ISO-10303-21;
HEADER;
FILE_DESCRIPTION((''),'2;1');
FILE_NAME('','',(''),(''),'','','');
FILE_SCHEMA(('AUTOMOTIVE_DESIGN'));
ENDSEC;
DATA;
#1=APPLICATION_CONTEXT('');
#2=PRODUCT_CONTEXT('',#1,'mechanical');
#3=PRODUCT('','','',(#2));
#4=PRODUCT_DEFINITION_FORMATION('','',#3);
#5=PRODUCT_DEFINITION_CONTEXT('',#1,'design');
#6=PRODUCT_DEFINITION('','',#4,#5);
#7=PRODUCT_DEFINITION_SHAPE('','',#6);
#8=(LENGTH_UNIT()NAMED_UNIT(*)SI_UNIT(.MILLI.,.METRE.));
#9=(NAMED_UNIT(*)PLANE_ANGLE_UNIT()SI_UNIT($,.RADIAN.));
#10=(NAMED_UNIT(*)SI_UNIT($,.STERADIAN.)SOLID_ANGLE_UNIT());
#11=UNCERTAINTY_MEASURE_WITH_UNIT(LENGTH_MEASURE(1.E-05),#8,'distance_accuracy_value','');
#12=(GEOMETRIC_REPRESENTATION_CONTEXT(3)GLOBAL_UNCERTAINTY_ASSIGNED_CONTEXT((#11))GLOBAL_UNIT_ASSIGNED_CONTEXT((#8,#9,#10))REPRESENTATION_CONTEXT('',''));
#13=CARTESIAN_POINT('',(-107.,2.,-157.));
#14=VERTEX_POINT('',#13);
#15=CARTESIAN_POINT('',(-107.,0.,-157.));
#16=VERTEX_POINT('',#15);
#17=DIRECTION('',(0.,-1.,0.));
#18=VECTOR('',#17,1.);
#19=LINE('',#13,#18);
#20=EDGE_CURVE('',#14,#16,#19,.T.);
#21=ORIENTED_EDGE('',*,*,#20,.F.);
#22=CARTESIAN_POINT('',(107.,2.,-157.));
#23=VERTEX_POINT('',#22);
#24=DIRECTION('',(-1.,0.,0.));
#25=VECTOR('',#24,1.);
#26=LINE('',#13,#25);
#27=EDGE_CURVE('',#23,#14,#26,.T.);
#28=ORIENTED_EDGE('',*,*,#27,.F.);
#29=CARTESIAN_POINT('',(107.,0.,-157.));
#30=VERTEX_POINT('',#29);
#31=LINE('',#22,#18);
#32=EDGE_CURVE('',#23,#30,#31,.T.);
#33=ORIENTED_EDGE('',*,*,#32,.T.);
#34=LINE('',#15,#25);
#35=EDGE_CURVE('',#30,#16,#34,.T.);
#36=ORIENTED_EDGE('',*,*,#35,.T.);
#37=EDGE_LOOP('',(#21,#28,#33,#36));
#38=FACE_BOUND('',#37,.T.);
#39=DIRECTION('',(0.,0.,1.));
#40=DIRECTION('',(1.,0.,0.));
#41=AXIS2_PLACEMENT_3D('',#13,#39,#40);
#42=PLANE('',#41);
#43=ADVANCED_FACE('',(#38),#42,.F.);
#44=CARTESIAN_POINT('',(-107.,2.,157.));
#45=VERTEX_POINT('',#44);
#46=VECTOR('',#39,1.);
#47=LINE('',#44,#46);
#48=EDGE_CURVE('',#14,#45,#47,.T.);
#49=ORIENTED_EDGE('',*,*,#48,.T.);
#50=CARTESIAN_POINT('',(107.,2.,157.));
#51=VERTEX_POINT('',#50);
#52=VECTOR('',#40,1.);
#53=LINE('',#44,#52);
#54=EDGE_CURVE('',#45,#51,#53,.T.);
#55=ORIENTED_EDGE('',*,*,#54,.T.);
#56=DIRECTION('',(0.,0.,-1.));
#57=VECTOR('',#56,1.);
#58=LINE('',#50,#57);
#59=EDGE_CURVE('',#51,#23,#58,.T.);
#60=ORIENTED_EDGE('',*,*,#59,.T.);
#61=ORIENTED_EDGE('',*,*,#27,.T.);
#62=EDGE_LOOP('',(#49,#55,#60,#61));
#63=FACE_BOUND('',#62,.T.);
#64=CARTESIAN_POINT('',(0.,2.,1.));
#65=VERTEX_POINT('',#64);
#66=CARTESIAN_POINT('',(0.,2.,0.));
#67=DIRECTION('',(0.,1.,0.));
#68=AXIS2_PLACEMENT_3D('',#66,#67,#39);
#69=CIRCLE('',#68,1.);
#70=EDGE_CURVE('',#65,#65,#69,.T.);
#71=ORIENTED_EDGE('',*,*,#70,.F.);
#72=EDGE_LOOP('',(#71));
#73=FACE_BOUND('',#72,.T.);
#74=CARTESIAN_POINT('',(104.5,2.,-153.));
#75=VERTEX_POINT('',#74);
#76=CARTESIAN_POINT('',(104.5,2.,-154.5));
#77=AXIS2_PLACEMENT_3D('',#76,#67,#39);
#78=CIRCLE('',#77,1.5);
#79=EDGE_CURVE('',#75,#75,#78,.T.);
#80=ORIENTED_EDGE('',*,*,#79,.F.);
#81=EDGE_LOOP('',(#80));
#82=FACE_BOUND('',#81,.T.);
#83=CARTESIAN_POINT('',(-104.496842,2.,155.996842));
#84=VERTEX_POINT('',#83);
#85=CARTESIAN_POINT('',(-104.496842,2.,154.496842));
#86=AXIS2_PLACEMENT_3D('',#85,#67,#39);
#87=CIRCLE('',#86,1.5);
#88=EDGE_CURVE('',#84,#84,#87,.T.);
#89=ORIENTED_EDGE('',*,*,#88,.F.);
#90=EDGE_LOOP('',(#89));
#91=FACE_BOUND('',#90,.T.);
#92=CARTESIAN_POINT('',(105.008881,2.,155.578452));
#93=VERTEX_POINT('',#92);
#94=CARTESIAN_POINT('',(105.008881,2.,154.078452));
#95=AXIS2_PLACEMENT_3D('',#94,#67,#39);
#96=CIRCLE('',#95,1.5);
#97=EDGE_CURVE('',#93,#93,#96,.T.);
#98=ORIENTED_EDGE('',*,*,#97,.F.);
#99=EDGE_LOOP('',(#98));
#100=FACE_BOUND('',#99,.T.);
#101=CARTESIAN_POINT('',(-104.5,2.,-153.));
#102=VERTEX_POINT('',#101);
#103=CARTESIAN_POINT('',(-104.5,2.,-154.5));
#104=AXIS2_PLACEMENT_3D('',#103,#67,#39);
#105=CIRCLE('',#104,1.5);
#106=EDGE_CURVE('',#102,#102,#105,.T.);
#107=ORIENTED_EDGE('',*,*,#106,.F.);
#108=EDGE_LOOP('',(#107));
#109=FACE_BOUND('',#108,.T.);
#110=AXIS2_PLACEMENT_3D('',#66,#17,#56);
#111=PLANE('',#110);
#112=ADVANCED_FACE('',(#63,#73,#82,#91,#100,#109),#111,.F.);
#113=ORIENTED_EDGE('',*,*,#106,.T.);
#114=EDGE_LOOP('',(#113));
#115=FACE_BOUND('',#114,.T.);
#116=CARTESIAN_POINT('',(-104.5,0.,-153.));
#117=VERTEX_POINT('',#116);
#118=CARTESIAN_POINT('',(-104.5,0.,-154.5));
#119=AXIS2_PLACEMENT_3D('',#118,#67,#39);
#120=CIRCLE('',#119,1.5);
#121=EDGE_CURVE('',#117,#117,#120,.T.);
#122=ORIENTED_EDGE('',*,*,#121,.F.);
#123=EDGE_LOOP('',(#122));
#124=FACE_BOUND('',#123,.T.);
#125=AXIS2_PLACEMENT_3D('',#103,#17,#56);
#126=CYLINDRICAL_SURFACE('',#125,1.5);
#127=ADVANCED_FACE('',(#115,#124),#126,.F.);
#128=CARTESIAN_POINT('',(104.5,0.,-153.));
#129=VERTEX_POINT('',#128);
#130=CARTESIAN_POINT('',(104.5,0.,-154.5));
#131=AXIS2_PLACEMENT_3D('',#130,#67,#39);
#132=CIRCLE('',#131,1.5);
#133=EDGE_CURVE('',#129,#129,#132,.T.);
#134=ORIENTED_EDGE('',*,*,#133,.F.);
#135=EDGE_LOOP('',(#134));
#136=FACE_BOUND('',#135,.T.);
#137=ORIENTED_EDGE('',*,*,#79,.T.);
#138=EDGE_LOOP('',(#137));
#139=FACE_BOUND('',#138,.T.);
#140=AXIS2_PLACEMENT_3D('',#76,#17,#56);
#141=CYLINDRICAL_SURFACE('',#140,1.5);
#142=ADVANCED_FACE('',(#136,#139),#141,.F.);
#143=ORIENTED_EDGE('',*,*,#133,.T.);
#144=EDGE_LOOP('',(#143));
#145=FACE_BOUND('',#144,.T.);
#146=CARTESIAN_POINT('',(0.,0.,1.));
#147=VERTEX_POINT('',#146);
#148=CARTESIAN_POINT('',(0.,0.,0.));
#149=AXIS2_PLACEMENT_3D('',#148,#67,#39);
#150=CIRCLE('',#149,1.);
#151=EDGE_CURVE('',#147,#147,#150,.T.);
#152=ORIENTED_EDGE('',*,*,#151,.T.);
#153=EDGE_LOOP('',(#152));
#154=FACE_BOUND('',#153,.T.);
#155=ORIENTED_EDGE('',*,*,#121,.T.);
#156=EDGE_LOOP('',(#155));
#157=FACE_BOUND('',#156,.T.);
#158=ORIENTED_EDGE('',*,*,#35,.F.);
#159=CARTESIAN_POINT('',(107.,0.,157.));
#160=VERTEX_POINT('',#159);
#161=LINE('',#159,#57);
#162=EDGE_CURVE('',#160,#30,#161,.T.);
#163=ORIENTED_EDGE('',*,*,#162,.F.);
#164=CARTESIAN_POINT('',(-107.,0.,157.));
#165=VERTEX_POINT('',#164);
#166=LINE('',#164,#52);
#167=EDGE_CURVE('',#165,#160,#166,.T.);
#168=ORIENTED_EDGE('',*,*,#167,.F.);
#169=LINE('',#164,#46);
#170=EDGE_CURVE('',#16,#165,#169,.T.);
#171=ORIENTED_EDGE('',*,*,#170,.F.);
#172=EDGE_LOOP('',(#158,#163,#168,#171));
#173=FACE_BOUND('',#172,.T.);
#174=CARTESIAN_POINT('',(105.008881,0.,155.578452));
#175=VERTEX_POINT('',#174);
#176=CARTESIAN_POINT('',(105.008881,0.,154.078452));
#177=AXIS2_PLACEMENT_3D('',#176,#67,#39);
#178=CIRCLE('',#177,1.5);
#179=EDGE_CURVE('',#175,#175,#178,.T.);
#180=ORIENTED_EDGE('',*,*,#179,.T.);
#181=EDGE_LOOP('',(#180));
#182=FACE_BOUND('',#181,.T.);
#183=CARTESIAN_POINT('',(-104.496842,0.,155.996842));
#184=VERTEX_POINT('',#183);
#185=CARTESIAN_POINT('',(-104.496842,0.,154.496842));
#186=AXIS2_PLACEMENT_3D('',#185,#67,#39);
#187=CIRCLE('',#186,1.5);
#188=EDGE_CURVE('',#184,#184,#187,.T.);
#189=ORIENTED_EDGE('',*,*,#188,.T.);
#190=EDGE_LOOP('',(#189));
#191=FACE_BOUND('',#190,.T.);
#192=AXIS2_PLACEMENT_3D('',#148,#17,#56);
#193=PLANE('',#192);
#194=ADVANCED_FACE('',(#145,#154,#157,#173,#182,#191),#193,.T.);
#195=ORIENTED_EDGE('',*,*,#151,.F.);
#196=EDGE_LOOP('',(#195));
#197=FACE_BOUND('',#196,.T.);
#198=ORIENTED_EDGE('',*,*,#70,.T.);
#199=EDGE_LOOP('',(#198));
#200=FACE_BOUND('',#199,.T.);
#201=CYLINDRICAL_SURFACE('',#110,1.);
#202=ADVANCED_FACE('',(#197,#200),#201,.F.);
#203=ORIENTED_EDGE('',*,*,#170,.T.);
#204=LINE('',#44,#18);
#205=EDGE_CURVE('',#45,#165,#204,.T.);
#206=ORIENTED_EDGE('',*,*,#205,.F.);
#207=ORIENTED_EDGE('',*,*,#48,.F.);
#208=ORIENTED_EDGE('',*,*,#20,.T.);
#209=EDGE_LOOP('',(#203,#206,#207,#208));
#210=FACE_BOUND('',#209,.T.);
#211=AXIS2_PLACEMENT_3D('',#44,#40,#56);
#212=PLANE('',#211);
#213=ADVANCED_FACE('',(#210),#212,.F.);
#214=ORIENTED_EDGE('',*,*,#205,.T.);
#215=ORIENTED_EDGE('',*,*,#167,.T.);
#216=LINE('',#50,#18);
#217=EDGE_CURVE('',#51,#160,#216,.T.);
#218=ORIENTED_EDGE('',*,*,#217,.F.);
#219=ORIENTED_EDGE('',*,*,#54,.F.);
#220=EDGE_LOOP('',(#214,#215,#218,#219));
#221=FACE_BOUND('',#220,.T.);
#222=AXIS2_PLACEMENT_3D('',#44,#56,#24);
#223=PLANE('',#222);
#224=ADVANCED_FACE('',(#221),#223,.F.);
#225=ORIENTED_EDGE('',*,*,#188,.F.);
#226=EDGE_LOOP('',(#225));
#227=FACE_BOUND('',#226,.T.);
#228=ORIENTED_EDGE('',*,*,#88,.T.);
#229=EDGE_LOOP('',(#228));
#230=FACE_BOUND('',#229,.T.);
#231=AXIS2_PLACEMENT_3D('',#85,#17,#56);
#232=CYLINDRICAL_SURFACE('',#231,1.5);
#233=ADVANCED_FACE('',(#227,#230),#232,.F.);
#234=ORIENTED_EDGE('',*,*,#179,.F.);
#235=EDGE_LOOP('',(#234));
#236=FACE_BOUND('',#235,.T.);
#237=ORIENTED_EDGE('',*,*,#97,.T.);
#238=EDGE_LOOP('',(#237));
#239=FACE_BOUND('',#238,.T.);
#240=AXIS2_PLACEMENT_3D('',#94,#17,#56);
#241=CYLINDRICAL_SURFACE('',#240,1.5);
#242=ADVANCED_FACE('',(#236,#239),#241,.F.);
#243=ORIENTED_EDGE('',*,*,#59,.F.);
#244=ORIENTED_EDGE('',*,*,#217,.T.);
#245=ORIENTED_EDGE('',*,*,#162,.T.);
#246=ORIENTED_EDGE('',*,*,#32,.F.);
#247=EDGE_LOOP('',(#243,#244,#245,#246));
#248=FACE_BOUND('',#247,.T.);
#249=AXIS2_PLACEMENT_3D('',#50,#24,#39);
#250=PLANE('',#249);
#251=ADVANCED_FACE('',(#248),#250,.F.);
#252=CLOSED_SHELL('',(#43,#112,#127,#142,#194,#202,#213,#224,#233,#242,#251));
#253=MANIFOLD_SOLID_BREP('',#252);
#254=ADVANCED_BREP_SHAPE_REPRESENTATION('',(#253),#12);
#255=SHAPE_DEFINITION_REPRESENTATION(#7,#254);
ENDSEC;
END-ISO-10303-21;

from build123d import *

# Parameters (mm, degrees)
SKETCH_1_W      = 214
SKETCH_1_H      = 314
SKETCH_1_R      = 1.5
SKETCH_1_R_2    = 1
EXTRUDE_1_DEPTH = 2


with BuildPart() as part:
    # Эскиз1 → Бобышка-Вытянуть1 (new body)
    with BuildSketch(Plane(origin=(0, 0, 0), x_dir=(1, 0, 0), z_dir=(0, 1, 0))):
        Rectangle(SKETCH_1_W, SKETCH_1_H)
        with Locations(Location((-104.5, 154.5, 0), (0, 0, 270))):
            Circle(SKETCH_1_R, mode=Mode.SUBTRACT)
        with Locations(Location((104.5, 154.5, 0), (0, 0, 270))):
            Circle(SKETCH_1_R, mode=Mode.SUBTRACT)
        with Locations(Location((105.008881012, -154.078451579, 0), (0, 0, 270))):
            Circle(SKETCH_1_R, mode=Mode.SUBTRACT)
        with Locations(Location((-104.496841995, -154.496841995, 0), (0, 0, 270))):
            Circle(SKETCH_1_R, mode=Mode.SUBTRACT)
        with Locations(Location((0, 0, 0), (0, 0, 270))):
            Circle(SKETCH_1_R_2, mode=Mode.SUBTRACT)
    extrude(amount=EXTRUDE_1_DEPTH)


solid = part.part
